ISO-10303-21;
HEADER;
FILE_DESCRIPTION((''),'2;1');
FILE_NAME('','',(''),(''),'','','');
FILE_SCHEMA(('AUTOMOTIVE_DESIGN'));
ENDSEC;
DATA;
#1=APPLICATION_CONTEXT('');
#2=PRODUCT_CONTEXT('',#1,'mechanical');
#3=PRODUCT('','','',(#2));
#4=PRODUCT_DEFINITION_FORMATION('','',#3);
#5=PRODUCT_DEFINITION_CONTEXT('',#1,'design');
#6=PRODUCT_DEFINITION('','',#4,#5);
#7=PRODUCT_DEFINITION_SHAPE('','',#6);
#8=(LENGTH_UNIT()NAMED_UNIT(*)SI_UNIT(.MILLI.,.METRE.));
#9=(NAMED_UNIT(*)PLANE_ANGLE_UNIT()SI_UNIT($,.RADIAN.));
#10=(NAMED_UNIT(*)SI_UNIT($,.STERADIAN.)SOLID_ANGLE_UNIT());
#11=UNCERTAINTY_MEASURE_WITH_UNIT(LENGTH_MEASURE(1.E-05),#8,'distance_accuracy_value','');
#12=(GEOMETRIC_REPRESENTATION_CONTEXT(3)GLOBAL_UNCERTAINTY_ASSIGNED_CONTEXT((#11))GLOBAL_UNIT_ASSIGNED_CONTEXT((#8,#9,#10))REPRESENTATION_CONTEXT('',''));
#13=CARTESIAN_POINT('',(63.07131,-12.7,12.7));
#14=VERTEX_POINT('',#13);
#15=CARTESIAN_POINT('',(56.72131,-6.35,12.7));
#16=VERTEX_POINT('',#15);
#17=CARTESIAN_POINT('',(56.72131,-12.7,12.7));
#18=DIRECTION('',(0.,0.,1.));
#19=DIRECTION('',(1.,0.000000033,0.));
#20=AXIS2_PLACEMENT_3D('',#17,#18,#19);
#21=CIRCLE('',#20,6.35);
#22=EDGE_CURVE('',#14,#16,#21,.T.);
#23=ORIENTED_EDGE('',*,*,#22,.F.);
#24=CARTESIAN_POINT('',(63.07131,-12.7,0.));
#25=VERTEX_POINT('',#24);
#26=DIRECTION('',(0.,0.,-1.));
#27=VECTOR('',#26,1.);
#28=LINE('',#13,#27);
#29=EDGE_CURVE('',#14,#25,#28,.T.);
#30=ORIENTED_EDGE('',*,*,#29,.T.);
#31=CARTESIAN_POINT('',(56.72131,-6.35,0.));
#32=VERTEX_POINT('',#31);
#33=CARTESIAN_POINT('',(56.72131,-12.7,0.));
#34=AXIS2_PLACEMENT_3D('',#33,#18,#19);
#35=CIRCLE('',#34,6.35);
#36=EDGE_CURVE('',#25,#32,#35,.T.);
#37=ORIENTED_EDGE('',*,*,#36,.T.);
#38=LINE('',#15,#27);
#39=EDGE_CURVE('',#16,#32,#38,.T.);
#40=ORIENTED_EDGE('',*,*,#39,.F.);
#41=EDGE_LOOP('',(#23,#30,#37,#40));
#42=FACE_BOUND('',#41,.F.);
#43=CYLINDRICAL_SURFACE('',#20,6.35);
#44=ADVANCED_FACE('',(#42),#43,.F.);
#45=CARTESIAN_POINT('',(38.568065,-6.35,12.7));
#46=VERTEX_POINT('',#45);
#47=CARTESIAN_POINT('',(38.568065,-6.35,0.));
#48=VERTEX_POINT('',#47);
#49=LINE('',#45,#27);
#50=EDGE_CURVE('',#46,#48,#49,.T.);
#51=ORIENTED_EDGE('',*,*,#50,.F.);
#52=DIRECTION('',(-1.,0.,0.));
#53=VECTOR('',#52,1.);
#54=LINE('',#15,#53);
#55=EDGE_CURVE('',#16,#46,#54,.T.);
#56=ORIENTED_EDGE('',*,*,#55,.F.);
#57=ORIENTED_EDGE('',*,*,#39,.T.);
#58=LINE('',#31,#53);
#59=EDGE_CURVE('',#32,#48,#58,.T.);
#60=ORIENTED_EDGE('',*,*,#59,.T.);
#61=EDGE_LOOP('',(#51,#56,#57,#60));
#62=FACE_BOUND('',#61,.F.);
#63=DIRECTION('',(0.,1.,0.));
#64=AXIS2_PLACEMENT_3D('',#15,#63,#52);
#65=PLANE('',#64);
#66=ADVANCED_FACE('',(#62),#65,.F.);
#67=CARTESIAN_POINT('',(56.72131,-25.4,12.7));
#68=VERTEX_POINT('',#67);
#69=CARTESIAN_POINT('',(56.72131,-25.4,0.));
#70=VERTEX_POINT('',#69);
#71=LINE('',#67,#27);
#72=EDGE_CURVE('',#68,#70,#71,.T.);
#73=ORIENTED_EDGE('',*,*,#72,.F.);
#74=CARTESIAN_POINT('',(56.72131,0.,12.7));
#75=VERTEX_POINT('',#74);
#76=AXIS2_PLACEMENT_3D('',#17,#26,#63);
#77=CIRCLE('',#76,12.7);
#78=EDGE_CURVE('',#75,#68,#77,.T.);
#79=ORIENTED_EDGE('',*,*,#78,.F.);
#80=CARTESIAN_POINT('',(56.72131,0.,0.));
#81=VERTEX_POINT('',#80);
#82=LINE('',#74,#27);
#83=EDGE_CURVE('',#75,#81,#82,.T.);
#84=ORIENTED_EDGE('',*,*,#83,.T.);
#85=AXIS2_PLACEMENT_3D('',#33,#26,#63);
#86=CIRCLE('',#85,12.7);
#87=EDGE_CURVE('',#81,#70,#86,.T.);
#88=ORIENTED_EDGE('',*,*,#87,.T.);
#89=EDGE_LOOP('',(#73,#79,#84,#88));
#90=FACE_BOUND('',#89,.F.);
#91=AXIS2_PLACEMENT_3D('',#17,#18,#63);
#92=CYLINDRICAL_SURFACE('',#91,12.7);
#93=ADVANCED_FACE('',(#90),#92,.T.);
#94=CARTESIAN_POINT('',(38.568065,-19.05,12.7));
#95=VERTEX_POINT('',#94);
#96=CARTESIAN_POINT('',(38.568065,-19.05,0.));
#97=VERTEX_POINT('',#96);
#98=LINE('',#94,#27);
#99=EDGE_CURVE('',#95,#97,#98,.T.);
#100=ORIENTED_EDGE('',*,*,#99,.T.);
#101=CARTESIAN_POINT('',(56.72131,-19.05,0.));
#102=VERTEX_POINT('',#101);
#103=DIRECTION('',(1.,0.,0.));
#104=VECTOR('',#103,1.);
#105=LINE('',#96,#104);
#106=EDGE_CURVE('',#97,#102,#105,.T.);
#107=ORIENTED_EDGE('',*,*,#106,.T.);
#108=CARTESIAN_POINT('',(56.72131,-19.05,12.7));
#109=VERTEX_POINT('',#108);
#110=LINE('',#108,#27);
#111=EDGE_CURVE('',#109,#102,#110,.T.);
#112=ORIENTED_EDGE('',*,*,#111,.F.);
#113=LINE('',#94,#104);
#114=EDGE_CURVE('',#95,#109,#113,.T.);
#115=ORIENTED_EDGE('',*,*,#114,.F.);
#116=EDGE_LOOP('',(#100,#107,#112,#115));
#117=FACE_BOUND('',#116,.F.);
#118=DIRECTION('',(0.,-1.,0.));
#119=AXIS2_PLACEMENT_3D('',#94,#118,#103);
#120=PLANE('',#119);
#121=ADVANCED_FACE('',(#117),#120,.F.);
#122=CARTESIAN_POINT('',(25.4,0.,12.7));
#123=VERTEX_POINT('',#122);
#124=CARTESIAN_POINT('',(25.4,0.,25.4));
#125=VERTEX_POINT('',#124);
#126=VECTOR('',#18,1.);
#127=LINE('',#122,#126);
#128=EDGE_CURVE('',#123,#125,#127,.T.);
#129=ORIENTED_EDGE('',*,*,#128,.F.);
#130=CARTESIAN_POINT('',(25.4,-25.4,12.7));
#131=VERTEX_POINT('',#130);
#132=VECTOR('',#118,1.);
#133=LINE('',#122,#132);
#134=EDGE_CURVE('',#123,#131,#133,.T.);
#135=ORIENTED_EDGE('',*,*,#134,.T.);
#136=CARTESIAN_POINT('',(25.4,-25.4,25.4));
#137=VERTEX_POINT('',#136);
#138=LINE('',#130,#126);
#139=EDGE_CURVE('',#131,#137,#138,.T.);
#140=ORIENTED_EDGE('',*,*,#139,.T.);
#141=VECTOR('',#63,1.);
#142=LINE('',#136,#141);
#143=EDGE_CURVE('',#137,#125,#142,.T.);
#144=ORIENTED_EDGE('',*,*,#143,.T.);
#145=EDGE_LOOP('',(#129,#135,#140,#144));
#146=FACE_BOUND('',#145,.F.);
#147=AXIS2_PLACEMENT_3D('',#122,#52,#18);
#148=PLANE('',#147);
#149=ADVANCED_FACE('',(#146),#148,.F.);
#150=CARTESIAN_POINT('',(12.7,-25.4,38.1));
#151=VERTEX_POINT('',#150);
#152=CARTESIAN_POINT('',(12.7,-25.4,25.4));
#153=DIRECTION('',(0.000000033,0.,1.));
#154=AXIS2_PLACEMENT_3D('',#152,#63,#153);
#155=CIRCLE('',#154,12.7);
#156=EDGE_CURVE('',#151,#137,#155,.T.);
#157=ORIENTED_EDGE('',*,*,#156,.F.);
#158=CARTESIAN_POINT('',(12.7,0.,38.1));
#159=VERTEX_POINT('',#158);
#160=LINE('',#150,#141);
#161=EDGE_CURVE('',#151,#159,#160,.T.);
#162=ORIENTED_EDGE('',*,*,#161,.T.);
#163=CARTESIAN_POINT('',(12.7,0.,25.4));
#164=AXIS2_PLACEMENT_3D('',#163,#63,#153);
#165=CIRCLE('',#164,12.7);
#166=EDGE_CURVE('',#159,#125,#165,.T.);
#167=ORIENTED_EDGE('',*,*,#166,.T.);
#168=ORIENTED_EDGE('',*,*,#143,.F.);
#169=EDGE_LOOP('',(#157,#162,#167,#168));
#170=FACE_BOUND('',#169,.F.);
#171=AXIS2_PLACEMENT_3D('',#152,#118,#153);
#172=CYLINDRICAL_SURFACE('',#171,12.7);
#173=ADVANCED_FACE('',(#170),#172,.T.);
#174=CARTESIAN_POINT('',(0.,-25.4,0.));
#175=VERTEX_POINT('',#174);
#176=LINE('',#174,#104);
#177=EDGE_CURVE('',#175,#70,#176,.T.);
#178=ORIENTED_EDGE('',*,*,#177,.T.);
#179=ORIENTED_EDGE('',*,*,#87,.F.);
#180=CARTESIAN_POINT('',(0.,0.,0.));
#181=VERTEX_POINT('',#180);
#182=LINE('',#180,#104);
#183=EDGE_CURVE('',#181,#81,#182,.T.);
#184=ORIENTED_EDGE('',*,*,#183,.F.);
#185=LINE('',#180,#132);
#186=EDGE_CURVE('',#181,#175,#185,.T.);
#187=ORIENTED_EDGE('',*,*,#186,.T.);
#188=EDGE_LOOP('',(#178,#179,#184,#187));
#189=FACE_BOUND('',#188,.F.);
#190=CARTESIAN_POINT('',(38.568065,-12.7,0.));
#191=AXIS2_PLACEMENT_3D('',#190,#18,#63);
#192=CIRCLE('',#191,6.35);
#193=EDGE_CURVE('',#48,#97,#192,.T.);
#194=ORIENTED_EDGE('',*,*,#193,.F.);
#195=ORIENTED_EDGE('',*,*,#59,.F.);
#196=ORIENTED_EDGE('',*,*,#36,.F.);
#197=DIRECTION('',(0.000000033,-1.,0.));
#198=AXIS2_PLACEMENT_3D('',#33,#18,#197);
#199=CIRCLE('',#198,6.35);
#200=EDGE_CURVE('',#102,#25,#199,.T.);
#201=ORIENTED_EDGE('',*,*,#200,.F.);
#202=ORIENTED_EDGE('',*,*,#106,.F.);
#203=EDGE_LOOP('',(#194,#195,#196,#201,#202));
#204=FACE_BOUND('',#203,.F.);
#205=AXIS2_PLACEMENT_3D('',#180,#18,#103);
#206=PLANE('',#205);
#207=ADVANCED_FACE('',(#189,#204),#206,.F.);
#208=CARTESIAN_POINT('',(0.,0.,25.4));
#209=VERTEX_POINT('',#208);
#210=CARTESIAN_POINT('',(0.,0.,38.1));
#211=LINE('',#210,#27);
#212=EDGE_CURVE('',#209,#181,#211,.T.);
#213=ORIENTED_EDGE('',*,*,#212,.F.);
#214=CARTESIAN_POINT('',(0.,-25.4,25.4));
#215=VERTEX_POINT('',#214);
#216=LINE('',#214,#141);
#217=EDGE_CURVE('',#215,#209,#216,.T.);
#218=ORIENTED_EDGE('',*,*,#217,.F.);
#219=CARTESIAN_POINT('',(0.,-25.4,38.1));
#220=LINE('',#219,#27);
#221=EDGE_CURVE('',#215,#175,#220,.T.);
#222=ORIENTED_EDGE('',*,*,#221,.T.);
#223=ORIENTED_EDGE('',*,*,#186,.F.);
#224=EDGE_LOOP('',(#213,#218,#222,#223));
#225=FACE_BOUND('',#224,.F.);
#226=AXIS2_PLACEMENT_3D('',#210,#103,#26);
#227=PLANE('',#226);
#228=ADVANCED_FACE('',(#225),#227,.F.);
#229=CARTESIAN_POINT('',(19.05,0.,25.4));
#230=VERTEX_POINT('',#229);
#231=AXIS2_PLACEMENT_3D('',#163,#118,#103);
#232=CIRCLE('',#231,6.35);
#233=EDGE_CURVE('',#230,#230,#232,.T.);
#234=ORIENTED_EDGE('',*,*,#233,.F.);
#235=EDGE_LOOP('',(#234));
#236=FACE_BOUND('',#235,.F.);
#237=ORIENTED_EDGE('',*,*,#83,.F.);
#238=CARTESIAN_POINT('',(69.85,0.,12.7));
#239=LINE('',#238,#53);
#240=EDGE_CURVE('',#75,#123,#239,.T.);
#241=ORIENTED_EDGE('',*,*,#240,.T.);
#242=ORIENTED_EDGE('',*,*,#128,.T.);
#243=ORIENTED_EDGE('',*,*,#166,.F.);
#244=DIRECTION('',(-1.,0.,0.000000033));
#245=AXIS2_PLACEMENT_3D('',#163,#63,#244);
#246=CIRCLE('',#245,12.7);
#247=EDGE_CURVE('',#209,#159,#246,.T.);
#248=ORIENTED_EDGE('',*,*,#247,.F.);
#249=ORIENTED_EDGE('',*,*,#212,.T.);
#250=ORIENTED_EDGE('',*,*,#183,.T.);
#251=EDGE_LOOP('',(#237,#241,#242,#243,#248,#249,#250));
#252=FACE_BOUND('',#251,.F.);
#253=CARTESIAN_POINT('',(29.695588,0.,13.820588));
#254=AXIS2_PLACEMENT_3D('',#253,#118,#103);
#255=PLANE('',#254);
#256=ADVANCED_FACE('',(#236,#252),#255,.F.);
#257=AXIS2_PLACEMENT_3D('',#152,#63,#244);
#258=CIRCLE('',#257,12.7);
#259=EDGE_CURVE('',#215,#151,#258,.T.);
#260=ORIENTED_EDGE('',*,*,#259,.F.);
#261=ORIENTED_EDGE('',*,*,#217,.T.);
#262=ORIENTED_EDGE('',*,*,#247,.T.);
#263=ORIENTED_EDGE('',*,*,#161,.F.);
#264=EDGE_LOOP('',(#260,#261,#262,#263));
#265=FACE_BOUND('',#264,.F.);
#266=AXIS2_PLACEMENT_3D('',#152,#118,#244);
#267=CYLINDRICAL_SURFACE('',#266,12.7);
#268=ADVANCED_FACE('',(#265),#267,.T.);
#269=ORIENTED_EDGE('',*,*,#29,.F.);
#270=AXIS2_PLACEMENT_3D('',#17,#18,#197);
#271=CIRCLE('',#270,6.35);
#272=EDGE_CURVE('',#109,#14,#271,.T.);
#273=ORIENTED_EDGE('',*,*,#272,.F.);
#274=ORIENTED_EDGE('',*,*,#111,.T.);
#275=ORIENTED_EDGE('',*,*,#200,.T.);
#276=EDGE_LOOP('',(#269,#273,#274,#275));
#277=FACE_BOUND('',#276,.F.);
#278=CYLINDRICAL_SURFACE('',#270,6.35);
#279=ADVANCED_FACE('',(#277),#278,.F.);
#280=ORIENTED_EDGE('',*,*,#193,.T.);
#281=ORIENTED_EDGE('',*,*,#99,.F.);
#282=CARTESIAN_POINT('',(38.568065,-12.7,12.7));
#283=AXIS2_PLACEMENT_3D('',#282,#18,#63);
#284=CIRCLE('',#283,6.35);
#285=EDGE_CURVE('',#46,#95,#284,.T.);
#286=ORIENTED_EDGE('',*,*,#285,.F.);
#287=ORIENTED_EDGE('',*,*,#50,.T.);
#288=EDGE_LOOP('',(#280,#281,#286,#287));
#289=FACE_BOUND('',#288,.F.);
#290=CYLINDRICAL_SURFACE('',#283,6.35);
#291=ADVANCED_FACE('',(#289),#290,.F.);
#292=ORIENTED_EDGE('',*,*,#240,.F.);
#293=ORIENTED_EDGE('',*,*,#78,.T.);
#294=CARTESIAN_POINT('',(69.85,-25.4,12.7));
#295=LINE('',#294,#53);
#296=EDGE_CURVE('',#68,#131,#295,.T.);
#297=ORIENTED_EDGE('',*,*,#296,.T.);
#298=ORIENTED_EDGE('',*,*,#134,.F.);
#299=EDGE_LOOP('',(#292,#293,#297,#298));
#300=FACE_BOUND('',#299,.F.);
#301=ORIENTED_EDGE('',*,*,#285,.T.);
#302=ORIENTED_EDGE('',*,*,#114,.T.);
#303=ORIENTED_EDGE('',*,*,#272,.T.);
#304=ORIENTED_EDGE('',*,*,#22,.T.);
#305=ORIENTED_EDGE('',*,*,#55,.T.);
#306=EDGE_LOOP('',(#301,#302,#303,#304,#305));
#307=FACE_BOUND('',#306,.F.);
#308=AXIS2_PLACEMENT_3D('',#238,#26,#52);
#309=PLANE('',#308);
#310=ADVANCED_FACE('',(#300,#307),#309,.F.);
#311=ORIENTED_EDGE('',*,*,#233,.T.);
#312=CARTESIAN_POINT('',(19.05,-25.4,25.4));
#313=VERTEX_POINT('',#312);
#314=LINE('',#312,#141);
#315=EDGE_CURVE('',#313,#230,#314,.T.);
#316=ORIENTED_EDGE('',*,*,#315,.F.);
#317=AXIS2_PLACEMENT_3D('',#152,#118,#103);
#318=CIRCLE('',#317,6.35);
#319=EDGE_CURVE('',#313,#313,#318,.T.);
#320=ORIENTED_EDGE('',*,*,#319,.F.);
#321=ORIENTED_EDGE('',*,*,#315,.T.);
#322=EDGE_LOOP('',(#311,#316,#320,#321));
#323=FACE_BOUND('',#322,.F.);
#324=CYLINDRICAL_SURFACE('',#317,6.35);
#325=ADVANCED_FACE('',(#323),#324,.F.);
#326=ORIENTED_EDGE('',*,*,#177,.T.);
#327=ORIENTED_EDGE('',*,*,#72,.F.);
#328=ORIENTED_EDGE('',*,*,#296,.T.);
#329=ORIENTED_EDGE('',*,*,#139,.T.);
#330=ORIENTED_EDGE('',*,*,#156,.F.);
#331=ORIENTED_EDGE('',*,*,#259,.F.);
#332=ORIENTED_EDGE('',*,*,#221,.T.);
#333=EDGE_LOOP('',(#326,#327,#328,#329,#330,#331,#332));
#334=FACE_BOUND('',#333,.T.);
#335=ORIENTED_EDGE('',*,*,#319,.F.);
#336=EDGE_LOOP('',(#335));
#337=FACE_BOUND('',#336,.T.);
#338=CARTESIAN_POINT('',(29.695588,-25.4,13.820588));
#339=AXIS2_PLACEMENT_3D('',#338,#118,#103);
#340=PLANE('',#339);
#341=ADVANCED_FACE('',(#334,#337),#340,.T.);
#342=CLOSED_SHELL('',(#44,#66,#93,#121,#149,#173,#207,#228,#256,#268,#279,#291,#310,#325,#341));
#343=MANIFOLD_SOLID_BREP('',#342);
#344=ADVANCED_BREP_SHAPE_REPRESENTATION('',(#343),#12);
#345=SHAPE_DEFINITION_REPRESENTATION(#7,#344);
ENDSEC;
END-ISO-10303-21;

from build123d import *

# Parameters (mm, degrees)
F1_DEPTH = 25.4
F2_R     = 6.35
F3_DEPTH = 25.4
F5_DEPTH = 12.7


with BuildPart() as f1:
    # F0 (on Front) → F1 (new body)
    with BuildSketch(Plane.XZ):
        Polygon((0, 38.1), (0, 0), (69.85, 0), (69.85, 12.7), (25.4, 12.7), (25.4, 38.1), align=None)
    extrude(amount=F1_DEPTH)

    # F2 (on face) → F3 (cut)
    with BuildSketch(Plane.XZ.offset(25.4)):
        with Locations((12.7, 25.4)):
            Circle(F2_R)
        with BuildLine():
            ThreePointArc((12.7, 38.1), (21.680256, 34.380256), (25.4, 25.4))
            Line((25.4, 25.4), (25.4, 38.1))
            Line((25.4, 38.1), (12.7, 38.1))
        make_face()
        with BuildLine():
            ThreePointArc((0, 25.4), (3.719744, 34.380256), (12.7, 38.1))
            Line((12.7, 38.1), (0, 38.1))
            Line((0, 38.1), (0, 25.4))
        make_face()
    extrude(amount=-F3_DEPTH, mode=Mode.SUBTRACT)

    # F4 (on face) → F5 (cut)
    with BuildSketch(Plane.XY.offset(12.7)):
        with BuildLine():
            ThreePointArc((44.918065, -12.7), (43.058193, -8.209872), (38.568065, -6.35))
            ThreePointArc((38.568065, -6.35), (32.218065, -12.7), (38.568065, -19.05))
            ThreePointArc((38.568065, -19.05), (43.058193, -17.190128), (44.918065, -12.7))
        make_face()
        with BuildLine():
            ThreePointArc((56.72131, -19.05), (50.37131, -12.7), (56.72131, -6.35))
            Line((56.72131, -6.35), (38.568065, -6.35))
            ThreePointArc((38.568065, -6.35), (43.058193, -8.209872), (44.918065, -12.7))
            ThreePointArc((44.918065, -12.7), (43.058193, -17.190128), (38.568065, -19.05))
            Line((38.568065, -19.05), (56.72131, -19.05))
        make_face()
        with BuildLine():
            ThreePointArc((56.72131, -19.05), (61.211438, -17.190128), (63.07131, -12.7))
            ThreePointArc((63.07131, -12.7), (61.211438, -8.209872), (56.72131, -6.35))
            ThreePointArc((56.72131, -6.35), (50.37131, -12.7), (56.72131, -19.05))
        make_face()
        with BuildLine():
            ThreePointArc((56.72131, 0), (69.42131, -12.7), (56.72131, -25.4))
            Line((56.72131, -25.4), (69.85, -25.4))
            Line((69.85, -25.4), (69.85, 0))
            Line((69.85, 0), (56.72131, 0))
        make_face()
    extrude(amount=-F5_DEPTH, mode=Mode.SUBTRACT)


solid = f1.part
